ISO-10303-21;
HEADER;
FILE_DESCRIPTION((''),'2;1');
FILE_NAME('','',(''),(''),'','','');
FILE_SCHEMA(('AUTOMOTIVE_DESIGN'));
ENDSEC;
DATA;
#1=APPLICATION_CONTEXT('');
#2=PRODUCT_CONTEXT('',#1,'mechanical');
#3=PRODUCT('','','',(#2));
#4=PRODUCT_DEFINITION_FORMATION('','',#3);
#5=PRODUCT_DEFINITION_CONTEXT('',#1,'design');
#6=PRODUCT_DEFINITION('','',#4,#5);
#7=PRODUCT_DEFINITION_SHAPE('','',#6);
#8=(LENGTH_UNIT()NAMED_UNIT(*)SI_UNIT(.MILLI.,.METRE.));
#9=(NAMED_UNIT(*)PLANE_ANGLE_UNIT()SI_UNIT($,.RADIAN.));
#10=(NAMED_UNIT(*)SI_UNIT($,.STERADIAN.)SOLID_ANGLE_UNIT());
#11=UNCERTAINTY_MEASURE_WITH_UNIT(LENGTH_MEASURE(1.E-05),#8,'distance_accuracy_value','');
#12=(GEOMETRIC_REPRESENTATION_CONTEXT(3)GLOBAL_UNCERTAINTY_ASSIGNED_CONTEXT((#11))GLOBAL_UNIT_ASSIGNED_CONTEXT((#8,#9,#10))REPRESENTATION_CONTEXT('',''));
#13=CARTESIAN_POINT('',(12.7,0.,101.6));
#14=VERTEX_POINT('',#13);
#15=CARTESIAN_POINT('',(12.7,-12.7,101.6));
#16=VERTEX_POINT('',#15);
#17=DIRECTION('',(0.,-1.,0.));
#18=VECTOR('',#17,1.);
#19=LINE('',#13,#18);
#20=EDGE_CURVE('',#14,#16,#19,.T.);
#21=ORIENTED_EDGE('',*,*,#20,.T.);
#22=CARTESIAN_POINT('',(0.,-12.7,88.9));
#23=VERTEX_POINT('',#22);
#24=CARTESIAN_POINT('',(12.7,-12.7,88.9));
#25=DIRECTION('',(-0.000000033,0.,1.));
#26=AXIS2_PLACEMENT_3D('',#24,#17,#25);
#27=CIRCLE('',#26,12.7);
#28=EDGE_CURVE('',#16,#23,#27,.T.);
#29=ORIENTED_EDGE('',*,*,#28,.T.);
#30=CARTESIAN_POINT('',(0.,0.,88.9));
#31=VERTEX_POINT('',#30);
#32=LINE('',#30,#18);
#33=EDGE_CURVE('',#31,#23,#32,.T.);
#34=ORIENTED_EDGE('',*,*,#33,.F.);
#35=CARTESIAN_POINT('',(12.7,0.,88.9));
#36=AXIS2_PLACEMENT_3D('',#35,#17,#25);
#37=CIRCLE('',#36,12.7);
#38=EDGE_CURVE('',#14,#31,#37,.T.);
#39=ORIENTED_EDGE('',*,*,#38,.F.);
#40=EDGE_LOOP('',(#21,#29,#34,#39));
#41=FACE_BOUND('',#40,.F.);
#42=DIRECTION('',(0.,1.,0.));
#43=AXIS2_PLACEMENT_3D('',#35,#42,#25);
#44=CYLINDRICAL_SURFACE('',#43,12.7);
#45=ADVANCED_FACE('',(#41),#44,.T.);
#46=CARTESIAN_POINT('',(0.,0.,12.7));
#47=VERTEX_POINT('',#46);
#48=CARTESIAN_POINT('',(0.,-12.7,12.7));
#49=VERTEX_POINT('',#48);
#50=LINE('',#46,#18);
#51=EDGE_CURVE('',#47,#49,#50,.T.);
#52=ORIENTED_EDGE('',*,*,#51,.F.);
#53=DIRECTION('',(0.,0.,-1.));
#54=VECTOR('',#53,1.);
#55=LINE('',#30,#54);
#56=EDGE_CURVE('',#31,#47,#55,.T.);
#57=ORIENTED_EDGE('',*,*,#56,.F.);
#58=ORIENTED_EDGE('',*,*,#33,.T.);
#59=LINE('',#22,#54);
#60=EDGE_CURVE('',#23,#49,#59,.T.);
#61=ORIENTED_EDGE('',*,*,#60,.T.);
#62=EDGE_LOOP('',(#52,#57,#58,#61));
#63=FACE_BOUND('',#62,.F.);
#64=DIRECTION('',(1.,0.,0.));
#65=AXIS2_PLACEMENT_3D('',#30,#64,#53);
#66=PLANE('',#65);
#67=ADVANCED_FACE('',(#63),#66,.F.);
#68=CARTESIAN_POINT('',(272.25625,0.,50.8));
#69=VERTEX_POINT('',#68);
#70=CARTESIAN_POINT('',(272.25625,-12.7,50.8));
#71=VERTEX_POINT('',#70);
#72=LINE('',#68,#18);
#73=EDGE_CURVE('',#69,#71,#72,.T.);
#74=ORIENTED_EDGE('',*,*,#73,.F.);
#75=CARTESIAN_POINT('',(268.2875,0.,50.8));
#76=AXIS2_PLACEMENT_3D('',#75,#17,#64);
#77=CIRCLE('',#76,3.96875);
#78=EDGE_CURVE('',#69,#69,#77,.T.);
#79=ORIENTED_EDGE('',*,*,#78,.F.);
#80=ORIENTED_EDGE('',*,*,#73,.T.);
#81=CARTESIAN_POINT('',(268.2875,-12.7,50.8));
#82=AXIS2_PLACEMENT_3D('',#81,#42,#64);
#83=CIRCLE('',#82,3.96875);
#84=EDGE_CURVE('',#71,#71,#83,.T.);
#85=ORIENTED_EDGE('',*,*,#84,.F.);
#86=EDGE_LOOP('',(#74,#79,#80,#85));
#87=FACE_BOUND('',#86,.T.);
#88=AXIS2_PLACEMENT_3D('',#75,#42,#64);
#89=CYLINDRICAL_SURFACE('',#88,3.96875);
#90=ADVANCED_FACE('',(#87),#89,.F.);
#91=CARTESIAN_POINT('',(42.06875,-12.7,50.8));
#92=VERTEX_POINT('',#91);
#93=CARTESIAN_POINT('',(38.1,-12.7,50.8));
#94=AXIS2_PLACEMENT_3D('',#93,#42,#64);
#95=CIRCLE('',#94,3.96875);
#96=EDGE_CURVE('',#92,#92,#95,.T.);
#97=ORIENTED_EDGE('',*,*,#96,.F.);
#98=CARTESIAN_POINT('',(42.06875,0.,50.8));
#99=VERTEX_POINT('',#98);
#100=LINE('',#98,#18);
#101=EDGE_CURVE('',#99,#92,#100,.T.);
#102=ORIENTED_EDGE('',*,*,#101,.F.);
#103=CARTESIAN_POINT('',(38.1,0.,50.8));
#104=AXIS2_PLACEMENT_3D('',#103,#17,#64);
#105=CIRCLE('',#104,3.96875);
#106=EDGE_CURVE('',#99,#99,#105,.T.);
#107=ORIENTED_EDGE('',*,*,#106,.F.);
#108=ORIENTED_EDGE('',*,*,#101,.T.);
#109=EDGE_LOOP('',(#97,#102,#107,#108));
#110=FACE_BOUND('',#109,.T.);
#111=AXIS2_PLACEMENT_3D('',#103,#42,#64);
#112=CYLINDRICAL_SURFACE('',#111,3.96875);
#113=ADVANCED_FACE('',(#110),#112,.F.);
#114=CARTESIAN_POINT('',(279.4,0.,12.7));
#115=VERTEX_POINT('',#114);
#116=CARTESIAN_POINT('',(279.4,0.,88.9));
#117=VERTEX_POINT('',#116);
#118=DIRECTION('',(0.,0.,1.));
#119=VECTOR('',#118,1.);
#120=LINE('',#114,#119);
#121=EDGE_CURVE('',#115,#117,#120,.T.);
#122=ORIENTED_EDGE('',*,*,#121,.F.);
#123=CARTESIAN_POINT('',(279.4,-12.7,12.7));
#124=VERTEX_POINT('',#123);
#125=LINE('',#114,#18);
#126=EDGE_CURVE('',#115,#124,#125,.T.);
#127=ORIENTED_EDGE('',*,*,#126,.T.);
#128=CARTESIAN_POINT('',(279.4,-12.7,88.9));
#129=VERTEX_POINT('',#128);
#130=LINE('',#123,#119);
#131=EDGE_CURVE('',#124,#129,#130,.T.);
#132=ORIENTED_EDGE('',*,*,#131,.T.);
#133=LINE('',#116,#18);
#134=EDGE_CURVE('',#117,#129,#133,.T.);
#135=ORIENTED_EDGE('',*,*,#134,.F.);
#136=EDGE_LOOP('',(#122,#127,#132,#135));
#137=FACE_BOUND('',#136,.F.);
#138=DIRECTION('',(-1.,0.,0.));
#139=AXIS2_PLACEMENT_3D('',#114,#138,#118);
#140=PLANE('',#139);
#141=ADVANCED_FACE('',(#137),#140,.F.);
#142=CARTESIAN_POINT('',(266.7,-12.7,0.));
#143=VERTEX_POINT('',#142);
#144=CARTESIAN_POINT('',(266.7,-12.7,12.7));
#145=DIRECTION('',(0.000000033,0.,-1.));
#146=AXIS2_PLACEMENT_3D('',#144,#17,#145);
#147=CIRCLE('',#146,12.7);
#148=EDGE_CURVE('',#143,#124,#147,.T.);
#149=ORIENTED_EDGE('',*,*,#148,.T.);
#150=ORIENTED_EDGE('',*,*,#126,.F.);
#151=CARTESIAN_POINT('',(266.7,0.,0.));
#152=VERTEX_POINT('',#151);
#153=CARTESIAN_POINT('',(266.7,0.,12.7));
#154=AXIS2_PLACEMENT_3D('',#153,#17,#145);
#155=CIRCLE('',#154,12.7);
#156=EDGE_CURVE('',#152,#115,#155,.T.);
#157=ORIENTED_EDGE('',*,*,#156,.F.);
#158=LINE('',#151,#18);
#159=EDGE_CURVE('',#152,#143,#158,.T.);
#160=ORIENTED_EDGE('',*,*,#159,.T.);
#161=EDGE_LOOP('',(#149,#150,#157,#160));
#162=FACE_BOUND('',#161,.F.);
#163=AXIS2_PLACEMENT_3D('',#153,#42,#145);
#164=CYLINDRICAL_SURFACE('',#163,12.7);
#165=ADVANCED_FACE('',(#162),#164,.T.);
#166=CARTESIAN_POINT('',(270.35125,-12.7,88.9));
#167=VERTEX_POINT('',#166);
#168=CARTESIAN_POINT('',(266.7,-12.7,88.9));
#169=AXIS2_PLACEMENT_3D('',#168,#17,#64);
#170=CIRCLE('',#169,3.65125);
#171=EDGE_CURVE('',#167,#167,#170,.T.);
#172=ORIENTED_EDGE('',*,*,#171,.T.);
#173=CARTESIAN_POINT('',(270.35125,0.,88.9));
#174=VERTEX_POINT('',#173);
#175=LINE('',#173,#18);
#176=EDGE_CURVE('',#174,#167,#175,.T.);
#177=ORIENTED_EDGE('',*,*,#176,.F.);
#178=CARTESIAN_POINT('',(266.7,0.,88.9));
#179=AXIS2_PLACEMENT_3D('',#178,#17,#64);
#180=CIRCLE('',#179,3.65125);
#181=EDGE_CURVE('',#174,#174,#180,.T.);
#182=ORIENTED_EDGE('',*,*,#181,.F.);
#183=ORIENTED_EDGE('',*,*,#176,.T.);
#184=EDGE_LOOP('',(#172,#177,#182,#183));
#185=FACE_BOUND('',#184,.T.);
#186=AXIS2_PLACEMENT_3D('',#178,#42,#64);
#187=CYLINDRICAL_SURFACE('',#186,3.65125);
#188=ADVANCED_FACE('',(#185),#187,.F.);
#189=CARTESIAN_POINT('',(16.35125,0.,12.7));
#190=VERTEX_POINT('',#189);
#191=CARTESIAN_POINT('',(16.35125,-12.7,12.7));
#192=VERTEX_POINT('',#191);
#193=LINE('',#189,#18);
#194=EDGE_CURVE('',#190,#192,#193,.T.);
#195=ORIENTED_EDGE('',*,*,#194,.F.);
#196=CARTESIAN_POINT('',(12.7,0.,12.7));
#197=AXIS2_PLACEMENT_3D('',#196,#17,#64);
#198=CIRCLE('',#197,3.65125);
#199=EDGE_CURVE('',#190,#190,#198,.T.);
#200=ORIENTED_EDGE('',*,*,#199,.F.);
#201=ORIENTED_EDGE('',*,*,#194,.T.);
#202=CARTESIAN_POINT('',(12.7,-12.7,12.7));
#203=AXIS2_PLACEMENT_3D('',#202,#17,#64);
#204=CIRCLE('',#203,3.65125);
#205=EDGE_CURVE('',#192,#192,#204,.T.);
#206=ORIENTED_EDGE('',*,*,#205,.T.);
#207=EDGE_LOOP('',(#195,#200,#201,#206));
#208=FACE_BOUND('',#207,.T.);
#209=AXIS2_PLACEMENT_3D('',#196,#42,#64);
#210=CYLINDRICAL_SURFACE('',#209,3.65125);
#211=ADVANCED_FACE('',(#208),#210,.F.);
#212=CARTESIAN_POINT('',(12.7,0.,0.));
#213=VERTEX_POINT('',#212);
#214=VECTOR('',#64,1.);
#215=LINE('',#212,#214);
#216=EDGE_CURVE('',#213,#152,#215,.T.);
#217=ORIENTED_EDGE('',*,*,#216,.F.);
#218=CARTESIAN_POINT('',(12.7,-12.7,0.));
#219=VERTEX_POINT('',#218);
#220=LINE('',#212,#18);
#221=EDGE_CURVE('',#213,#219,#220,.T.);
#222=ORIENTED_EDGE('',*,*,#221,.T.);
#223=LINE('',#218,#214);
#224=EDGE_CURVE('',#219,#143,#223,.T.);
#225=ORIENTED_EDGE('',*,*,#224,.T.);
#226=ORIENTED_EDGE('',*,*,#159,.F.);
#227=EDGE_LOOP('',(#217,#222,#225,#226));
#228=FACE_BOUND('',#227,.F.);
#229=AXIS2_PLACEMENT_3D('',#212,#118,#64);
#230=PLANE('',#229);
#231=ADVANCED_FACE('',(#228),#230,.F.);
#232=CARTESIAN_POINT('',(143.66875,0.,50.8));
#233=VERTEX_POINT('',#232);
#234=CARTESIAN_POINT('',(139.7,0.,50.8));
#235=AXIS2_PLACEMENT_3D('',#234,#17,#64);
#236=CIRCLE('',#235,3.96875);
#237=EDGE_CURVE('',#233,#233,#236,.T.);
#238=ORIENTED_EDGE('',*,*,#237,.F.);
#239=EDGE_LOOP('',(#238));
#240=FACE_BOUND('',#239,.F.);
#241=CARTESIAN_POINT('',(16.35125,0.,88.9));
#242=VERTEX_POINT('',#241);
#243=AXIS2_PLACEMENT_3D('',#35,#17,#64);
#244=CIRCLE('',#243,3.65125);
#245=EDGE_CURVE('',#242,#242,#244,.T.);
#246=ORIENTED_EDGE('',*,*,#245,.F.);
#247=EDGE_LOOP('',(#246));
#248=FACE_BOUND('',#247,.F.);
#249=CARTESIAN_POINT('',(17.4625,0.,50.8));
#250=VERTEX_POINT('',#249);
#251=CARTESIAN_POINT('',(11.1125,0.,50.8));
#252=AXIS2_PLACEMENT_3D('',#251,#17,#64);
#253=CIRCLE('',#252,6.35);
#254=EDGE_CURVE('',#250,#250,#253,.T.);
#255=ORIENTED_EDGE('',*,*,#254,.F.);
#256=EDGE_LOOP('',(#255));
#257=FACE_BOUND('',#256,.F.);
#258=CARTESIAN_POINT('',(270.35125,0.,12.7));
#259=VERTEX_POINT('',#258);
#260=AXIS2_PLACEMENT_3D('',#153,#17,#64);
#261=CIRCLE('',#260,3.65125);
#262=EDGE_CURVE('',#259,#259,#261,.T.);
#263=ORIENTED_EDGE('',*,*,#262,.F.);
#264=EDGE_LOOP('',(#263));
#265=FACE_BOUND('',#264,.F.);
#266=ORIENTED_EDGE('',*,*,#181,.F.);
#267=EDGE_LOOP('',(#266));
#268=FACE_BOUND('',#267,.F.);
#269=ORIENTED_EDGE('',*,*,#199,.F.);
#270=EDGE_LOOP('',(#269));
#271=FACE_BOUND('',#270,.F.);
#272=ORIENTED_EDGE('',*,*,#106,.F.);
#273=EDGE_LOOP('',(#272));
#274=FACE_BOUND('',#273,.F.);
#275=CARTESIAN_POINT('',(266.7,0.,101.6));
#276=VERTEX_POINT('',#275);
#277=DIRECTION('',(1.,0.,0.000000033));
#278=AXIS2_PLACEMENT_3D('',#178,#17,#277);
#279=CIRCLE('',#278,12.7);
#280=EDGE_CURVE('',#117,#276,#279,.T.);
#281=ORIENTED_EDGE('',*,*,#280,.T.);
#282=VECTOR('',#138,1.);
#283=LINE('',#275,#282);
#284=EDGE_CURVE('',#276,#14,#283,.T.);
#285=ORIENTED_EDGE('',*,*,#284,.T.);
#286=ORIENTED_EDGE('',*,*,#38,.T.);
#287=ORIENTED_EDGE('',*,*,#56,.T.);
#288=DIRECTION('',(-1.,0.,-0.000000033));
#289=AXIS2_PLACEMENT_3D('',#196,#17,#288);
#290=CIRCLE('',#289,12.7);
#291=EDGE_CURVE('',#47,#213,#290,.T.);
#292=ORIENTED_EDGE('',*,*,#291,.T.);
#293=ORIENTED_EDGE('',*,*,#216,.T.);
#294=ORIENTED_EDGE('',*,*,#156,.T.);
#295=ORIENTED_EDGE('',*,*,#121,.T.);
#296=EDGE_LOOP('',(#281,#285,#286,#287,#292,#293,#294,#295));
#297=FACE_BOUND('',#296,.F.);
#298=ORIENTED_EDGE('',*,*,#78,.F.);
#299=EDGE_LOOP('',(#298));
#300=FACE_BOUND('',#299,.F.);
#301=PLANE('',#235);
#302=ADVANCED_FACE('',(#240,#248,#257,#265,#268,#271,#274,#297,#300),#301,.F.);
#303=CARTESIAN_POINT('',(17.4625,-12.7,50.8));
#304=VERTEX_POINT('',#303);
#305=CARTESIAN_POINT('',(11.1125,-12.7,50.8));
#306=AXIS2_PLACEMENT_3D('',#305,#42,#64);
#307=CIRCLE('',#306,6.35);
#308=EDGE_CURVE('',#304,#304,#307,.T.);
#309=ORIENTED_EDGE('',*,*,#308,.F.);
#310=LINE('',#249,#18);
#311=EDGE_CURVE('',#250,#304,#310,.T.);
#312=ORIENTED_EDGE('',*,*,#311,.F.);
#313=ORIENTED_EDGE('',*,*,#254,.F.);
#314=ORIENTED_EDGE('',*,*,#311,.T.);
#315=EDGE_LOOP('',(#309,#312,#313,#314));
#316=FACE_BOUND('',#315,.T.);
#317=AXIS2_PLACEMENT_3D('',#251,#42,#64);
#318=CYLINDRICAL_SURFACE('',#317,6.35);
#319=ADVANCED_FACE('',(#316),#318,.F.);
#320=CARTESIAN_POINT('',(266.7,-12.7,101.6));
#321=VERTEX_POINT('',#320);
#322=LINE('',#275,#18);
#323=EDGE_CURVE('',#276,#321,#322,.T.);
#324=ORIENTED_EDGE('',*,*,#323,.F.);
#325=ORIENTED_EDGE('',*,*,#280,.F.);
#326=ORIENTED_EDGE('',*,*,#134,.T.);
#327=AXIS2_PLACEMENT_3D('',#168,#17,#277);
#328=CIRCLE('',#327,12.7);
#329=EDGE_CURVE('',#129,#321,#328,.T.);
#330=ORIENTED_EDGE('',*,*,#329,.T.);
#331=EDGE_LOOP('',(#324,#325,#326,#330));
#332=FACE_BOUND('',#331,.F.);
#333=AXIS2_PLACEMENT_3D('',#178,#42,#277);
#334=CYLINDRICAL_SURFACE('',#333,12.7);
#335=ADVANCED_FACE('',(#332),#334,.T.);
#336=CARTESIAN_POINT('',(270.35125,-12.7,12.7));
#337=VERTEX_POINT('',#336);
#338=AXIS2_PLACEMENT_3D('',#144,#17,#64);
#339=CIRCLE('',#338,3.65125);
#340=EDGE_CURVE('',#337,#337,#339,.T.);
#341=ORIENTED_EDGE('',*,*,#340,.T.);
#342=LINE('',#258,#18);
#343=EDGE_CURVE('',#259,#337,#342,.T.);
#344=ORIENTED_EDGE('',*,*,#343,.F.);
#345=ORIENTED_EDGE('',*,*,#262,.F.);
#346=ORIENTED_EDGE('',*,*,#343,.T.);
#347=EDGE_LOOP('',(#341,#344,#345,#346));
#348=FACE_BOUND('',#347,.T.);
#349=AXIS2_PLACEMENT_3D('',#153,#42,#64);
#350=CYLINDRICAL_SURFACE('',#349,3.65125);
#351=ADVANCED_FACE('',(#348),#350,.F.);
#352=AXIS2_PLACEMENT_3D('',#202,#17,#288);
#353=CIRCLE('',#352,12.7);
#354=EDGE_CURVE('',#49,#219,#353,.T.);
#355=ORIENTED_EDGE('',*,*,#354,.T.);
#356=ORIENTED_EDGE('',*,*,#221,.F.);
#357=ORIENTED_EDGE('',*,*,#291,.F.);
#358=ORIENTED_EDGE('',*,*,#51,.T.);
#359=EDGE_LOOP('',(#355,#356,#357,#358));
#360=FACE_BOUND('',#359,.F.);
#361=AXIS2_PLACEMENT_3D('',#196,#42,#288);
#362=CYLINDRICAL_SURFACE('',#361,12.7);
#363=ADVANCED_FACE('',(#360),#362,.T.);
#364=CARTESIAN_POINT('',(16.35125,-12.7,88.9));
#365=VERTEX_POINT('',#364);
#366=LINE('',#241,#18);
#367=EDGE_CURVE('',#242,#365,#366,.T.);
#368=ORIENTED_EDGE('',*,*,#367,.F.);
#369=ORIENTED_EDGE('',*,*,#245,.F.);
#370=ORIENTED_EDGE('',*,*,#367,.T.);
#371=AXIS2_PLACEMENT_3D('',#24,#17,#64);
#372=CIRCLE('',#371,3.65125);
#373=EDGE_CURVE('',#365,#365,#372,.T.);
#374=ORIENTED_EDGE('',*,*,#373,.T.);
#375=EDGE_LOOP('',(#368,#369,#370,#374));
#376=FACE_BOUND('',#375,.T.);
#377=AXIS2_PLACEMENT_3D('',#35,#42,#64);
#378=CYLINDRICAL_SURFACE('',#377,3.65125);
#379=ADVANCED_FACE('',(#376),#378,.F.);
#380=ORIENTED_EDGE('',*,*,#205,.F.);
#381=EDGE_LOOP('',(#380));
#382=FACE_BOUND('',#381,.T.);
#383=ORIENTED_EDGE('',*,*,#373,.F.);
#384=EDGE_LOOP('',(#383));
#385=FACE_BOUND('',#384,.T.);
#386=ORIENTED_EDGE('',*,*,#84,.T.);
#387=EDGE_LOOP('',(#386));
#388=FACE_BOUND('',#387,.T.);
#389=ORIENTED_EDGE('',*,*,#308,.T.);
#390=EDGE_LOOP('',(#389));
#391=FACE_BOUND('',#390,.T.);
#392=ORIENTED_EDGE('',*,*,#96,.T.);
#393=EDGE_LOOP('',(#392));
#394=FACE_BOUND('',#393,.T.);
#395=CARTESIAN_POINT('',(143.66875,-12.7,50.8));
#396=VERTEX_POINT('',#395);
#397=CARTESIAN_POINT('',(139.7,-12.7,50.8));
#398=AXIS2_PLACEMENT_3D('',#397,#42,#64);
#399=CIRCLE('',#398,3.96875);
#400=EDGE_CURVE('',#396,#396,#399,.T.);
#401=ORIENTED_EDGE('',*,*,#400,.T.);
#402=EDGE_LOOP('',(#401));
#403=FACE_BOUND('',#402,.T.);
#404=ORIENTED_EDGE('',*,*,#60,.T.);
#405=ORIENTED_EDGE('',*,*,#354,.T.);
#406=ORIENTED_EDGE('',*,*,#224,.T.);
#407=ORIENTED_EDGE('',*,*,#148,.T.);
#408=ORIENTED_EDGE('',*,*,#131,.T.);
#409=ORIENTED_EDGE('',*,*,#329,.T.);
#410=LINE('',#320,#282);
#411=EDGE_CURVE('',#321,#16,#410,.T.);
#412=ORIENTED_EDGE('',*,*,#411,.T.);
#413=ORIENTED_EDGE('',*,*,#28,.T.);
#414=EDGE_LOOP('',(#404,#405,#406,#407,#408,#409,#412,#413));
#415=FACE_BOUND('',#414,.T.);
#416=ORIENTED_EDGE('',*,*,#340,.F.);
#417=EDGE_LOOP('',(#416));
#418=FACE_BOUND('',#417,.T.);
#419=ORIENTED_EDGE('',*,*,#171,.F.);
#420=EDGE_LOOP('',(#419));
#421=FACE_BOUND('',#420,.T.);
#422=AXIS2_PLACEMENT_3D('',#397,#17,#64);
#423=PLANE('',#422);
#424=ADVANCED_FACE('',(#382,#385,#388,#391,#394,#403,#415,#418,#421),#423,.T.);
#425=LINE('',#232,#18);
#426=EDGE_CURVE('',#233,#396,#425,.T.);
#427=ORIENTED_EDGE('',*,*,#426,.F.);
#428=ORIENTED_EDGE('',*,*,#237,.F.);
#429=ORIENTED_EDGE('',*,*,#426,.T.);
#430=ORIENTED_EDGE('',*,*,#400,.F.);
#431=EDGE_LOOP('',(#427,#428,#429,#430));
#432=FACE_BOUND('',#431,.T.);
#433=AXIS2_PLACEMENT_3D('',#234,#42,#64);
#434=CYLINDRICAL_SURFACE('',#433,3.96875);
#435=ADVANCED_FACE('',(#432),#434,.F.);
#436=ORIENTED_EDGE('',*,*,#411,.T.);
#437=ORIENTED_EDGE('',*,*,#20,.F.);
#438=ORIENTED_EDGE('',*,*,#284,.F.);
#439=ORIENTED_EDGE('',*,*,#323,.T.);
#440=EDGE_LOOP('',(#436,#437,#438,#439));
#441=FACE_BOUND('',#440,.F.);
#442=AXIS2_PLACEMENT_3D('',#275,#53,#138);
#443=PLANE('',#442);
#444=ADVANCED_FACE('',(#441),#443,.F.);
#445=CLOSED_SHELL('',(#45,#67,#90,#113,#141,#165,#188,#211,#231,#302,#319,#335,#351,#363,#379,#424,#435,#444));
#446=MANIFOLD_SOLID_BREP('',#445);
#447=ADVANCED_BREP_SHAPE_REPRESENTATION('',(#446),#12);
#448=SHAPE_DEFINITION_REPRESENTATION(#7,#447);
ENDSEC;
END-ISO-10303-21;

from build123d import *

# Parameters (mm, degrees)
F0_R     = 3.65125
F2_DEPTH = 12.7
F1_R     = 6.35
F1_R_2   = 3.96875
F3_DEPTH = 25.4


with BuildPart() as f2:
    # F0 (on Front) → F2 (new body)
    with BuildSketch(Plane.XZ):
        with BuildLine():
            ThreePointArc((0, 12.7), (3.719744, 3.719744), (12.7, 0))
            Line((12.7, 0), (266.7, 0))
            ThreePointArc((266.7, 0), (275.680256, 3.719744), (279.4, 12.7))
            Line((279.4, 12.7), (279.4, 88.9))
            ThreePointArc((279.4, 88.9), (275.680256, 97.880256), (266.7, 101.6))
            Line((266.7, 101.6), (12.7, 101.6))
            ThreePointArc((12.7, 101.6), (3.719744, 97.880256), (0, 88.9))
            Line((0, 88.9), (0, 12.7))
        make_face()
        with Locations((12.7, 12.7)):
            Circle(F0_R, mode=Mode.SUBTRACT)
        with Locations((266.7, 12.7)):
            Circle(F0_R, mode=Mode.SUBTRACT)
        with Locations((12.7, 88.9)):
            Circle(F0_R, mode=Mode.SUBTRACT)
        with Locations((266.7, 88.9)):
            Circle(F0_R, mode=Mode.SUBTRACT)
    extrude(amount=F2_DEPTH)

    # F1 (on face) → F3 (cut)
    with BuildSketch(Plane.XZ):
        with Locations((11.1125, 50.8)):
            Circle(F1_R)
        with Locations((38.1, 50.8)):
            Circle(F1_R_2)
        with Locations((139.7, 50.8)):
            Circle(F1_R_2)
        with Locations((268.2875, 50.8)):
            Circle(F1_R_2)
    extrude(amount=F3_DEPTH, mode=Mode.SUBTRACT)


solid = f2.part
